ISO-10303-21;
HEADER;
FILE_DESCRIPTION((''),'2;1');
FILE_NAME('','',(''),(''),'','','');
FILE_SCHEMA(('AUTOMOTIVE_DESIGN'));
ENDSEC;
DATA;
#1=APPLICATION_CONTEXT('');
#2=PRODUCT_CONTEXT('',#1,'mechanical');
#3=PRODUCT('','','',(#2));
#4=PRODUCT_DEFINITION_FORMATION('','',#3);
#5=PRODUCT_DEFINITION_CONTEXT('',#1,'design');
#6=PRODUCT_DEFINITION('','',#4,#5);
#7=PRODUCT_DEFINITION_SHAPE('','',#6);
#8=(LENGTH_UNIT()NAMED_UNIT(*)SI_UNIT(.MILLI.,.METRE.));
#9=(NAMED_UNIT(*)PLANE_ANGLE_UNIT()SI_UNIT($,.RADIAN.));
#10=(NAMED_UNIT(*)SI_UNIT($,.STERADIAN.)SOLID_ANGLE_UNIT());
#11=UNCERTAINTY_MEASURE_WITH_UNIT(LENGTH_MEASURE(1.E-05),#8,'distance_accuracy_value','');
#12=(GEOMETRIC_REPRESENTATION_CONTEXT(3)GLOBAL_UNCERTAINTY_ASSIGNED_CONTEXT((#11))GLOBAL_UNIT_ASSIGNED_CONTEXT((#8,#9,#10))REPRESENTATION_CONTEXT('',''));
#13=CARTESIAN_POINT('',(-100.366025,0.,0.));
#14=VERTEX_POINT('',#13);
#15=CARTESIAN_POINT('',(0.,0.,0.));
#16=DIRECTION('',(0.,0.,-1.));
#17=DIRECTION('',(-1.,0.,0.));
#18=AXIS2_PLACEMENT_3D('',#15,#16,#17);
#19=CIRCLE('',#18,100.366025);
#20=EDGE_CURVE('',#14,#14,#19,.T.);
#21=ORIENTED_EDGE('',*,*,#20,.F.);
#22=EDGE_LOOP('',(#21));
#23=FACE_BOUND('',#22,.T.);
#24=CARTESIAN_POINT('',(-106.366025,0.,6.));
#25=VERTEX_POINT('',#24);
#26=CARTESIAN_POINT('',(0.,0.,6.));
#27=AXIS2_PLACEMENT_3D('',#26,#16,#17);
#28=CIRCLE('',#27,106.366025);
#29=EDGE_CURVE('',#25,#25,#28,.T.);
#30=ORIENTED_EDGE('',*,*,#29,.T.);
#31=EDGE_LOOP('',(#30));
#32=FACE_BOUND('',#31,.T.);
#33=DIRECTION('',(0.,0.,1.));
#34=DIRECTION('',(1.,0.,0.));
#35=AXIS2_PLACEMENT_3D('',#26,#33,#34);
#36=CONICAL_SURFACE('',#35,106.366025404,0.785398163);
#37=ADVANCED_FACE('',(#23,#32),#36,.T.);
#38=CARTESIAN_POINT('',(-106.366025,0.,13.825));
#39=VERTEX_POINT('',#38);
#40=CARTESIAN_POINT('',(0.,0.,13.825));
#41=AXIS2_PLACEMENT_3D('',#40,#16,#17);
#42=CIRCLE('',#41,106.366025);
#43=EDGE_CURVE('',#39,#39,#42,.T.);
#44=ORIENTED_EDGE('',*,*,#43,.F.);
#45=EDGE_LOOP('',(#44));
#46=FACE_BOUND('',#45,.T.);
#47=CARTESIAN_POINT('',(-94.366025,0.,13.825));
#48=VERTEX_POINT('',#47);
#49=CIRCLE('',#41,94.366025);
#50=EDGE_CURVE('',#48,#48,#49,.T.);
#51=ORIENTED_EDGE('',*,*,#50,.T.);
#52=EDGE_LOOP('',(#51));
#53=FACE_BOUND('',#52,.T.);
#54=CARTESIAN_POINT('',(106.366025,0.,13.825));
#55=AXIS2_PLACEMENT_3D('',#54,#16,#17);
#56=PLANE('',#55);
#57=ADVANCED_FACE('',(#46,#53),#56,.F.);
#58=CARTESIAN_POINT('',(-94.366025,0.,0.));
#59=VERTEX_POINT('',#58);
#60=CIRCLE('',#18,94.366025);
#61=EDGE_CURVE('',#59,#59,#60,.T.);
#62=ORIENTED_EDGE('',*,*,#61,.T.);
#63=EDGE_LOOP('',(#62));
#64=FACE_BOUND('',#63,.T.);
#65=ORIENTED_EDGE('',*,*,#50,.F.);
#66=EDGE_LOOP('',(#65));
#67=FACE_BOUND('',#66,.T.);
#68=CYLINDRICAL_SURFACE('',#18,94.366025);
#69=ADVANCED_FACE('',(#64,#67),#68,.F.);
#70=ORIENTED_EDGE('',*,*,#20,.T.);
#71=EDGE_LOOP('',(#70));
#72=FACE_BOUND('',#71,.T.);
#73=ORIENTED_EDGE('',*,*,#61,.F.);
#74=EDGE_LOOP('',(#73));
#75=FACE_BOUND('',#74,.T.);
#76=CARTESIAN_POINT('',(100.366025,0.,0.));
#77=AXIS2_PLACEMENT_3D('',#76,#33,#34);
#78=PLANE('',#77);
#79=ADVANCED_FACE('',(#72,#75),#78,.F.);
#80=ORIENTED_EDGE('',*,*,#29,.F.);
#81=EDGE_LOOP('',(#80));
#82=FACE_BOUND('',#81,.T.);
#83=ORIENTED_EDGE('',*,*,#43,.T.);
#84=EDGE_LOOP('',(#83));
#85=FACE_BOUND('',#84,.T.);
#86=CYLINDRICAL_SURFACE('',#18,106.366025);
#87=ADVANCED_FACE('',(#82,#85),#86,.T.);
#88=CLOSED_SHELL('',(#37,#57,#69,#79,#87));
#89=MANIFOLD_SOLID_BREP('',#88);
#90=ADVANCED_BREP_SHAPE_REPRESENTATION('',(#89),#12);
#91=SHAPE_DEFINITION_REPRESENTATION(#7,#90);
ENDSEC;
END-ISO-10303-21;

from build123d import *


with BuildPart() as part:
    # Sketch4 → Revolve1 (revolve)
    with BuildSketch(Plane(origin=(0, 0, 0), x_dir=(1, 0, 0), z_dir=(0, 1, 0)), mode=Mode.PRIVATE) as revolve1_sk:
        Polygon((100.366025404, 0), (94.366025404, 0), (94.366025404, -13.825), (100.366025404, -13.825), (106.366025404, -13.825), (106.366025404, -6), align=None)
    revolve(revolve1_sk.sketch.rotate(Axis((0, 0, 0), (0, 0, 1)), 180), axis=Axis((0, 0, 0), (0, 0, 1)))


solid = part.part
